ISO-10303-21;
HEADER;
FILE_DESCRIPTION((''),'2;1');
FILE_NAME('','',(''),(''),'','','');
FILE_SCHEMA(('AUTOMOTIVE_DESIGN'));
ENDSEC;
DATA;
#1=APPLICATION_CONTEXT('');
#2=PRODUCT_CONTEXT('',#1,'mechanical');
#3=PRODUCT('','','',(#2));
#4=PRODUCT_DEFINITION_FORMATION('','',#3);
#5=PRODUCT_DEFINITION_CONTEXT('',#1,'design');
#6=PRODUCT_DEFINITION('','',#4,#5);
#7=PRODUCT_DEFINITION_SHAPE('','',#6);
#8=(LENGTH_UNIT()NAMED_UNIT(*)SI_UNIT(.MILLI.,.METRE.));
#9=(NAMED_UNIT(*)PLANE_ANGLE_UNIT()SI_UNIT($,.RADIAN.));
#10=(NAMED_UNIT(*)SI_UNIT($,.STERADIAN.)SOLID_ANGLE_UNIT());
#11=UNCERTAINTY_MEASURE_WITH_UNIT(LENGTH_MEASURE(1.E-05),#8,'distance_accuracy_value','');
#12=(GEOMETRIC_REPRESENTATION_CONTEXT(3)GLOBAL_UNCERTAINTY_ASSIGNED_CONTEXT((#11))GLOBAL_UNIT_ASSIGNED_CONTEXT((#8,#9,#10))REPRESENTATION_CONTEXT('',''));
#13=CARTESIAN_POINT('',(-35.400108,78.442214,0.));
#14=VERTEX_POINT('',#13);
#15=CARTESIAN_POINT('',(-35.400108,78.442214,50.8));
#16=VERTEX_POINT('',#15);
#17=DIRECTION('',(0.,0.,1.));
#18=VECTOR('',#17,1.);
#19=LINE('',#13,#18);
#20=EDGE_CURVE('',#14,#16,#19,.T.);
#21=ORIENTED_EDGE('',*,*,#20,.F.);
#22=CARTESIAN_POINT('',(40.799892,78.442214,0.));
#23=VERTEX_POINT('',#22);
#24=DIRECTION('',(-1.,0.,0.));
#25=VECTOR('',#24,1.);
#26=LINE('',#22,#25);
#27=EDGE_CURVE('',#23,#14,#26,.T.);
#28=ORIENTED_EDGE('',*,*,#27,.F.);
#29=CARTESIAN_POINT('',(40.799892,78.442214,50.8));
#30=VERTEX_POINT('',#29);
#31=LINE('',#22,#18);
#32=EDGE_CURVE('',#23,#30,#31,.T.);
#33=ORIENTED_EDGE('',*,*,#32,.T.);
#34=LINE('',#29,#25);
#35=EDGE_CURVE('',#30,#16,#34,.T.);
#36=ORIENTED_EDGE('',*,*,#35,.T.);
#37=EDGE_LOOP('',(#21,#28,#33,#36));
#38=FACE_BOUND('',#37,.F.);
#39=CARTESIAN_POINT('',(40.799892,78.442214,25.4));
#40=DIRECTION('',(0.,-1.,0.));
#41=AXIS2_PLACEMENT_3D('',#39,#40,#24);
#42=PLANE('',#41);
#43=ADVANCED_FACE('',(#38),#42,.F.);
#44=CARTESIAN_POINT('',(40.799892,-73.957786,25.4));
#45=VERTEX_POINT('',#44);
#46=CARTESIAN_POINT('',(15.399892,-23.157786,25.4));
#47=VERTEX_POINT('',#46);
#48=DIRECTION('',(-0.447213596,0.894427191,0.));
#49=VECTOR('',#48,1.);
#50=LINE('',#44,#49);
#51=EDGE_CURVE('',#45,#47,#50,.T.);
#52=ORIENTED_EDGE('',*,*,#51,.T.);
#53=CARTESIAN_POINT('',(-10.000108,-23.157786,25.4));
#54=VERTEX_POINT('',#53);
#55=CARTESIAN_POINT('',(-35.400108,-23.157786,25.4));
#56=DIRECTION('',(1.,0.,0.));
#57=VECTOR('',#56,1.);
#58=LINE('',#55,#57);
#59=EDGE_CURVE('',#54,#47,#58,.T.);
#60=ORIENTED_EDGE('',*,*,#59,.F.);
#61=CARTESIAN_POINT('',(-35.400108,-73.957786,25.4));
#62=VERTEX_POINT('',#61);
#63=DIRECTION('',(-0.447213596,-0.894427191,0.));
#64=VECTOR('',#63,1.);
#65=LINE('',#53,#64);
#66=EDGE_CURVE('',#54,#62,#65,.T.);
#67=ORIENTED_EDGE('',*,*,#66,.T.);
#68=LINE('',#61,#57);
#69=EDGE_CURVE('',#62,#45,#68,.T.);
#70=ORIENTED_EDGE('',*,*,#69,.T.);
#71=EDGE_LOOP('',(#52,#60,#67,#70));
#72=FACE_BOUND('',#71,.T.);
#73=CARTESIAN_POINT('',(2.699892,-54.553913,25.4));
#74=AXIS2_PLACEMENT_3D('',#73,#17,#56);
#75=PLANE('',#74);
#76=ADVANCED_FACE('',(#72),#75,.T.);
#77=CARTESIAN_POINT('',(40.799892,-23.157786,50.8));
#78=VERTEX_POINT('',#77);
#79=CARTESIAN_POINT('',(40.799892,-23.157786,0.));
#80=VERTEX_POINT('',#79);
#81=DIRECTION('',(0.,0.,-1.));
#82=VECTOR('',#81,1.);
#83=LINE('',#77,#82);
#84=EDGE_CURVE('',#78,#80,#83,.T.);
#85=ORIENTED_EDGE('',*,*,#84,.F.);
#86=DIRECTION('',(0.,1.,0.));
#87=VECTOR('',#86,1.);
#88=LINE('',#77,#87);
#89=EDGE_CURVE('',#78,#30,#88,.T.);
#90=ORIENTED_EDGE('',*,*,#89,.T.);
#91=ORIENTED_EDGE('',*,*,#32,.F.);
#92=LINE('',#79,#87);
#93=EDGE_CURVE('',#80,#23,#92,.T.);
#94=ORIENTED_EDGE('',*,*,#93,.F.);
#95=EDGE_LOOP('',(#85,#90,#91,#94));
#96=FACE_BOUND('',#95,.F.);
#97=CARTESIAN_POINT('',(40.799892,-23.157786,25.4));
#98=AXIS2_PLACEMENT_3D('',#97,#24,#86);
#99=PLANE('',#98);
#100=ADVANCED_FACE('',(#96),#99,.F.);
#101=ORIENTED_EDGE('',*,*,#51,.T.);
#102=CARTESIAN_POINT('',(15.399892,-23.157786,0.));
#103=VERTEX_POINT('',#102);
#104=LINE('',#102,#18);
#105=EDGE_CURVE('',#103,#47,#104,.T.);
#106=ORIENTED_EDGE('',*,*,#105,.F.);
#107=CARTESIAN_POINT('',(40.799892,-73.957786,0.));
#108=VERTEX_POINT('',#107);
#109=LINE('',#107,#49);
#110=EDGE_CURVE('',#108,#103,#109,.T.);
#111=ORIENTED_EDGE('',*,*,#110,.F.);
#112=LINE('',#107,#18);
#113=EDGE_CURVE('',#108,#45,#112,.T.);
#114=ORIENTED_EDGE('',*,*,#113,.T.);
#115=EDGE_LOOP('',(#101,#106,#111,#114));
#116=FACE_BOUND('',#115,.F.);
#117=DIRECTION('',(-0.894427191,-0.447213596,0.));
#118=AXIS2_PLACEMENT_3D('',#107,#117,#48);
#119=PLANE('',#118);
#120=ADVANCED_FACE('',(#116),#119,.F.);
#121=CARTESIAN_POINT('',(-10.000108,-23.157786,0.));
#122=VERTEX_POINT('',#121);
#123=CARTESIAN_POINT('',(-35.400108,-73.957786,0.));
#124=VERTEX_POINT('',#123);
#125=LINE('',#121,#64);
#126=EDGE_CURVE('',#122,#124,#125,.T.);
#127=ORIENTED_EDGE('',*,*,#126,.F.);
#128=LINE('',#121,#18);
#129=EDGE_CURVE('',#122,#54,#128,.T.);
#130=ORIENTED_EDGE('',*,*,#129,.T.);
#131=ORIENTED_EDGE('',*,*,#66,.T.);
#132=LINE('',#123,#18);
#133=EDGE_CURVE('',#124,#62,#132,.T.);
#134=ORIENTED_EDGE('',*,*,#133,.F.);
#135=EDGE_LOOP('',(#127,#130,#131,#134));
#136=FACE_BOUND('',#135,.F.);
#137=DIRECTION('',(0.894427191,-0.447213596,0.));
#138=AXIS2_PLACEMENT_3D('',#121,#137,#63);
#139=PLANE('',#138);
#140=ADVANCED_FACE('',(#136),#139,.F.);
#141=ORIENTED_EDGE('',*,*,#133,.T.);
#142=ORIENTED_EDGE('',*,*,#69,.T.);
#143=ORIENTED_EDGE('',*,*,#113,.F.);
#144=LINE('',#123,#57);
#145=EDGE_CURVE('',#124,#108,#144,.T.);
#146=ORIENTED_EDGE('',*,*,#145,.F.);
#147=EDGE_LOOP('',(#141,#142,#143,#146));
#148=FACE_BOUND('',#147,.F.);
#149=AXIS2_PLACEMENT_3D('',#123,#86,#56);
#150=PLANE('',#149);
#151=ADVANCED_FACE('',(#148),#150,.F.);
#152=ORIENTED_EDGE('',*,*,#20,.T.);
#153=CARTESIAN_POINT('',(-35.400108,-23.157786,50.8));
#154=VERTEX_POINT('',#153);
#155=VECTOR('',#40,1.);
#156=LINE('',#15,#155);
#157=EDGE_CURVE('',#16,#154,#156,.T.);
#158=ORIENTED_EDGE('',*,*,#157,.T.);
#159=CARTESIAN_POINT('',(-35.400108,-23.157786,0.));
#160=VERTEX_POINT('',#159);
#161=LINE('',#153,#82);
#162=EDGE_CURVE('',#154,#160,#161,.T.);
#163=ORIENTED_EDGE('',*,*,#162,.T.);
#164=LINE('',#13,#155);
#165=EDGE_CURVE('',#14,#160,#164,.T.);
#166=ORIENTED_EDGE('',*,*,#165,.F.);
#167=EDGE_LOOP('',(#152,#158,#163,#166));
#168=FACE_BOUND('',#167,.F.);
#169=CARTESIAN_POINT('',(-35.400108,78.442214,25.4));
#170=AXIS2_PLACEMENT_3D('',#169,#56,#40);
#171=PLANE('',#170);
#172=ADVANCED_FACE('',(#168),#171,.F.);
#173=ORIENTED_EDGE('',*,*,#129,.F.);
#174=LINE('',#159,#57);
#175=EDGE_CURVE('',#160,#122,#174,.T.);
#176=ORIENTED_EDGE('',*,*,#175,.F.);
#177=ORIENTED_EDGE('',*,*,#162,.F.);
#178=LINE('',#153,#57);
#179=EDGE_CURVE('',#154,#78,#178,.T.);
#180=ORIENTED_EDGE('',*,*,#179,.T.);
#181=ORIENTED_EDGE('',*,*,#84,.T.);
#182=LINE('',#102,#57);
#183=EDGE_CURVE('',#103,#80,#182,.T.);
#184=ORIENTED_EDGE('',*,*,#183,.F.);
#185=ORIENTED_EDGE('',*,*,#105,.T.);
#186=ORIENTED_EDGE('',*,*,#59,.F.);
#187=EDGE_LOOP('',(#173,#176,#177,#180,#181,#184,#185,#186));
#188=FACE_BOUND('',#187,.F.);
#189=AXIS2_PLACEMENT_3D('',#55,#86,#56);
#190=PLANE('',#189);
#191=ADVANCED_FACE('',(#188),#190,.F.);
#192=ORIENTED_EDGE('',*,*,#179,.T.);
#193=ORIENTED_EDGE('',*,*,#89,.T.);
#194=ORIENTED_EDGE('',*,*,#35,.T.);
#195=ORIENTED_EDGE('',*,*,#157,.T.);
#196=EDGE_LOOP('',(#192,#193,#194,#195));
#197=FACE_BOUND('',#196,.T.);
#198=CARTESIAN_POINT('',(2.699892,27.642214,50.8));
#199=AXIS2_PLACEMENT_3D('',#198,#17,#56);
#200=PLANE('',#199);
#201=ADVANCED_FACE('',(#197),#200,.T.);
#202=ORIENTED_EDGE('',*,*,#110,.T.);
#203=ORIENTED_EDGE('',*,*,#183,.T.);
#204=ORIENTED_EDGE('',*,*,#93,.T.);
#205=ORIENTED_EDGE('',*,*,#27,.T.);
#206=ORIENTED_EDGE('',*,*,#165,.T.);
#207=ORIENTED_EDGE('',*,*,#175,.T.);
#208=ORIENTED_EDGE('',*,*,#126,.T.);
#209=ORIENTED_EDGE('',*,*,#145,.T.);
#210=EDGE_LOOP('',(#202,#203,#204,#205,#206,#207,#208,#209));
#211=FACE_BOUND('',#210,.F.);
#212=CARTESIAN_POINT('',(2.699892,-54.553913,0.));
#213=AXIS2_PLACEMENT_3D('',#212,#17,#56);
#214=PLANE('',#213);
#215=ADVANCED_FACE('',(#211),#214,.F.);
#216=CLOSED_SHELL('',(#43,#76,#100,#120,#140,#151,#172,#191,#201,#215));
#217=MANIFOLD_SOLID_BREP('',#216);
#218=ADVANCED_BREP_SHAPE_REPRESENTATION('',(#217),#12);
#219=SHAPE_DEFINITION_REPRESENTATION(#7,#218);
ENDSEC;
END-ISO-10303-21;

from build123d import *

# Parameters (mm, degrees)
F1_DEPTH = 25.4
F3_DEPTH = 25.4


with BuildPart() as f1:
    # F0 (on Top) → F1 (new body)
    with BuildSketch(Plane.XY):
        Polygon((15.399892, -23.157786), (-10.000108, -23.157786), (-35.400108, -73.957786), (40.799892, -73.957786), align=None)
        Polygon((40.799892, 78.442214), (-35.400108, 78.442214), (-35.400108, -23.157786), (-10.000108, -23.157786), (15.399892, -23.157786), (40.799892, -23.157786), align=None)
    extrude(amount=F1_DEPTH)

    # F2 (on face) → F3 (join)
    with BuildSketch(Plane.XY.offset(25.4)):
        Polygon((40.799892, -23.157786), (40.799892, 78.442214), (-35.400108, 78.442214), (-35.400108, -23.157786), (-10.000108, -23.157786), (15.399892, -23.157786), align=None)
    extrude(amount=F3_DEPTH)


solid = f1.part
